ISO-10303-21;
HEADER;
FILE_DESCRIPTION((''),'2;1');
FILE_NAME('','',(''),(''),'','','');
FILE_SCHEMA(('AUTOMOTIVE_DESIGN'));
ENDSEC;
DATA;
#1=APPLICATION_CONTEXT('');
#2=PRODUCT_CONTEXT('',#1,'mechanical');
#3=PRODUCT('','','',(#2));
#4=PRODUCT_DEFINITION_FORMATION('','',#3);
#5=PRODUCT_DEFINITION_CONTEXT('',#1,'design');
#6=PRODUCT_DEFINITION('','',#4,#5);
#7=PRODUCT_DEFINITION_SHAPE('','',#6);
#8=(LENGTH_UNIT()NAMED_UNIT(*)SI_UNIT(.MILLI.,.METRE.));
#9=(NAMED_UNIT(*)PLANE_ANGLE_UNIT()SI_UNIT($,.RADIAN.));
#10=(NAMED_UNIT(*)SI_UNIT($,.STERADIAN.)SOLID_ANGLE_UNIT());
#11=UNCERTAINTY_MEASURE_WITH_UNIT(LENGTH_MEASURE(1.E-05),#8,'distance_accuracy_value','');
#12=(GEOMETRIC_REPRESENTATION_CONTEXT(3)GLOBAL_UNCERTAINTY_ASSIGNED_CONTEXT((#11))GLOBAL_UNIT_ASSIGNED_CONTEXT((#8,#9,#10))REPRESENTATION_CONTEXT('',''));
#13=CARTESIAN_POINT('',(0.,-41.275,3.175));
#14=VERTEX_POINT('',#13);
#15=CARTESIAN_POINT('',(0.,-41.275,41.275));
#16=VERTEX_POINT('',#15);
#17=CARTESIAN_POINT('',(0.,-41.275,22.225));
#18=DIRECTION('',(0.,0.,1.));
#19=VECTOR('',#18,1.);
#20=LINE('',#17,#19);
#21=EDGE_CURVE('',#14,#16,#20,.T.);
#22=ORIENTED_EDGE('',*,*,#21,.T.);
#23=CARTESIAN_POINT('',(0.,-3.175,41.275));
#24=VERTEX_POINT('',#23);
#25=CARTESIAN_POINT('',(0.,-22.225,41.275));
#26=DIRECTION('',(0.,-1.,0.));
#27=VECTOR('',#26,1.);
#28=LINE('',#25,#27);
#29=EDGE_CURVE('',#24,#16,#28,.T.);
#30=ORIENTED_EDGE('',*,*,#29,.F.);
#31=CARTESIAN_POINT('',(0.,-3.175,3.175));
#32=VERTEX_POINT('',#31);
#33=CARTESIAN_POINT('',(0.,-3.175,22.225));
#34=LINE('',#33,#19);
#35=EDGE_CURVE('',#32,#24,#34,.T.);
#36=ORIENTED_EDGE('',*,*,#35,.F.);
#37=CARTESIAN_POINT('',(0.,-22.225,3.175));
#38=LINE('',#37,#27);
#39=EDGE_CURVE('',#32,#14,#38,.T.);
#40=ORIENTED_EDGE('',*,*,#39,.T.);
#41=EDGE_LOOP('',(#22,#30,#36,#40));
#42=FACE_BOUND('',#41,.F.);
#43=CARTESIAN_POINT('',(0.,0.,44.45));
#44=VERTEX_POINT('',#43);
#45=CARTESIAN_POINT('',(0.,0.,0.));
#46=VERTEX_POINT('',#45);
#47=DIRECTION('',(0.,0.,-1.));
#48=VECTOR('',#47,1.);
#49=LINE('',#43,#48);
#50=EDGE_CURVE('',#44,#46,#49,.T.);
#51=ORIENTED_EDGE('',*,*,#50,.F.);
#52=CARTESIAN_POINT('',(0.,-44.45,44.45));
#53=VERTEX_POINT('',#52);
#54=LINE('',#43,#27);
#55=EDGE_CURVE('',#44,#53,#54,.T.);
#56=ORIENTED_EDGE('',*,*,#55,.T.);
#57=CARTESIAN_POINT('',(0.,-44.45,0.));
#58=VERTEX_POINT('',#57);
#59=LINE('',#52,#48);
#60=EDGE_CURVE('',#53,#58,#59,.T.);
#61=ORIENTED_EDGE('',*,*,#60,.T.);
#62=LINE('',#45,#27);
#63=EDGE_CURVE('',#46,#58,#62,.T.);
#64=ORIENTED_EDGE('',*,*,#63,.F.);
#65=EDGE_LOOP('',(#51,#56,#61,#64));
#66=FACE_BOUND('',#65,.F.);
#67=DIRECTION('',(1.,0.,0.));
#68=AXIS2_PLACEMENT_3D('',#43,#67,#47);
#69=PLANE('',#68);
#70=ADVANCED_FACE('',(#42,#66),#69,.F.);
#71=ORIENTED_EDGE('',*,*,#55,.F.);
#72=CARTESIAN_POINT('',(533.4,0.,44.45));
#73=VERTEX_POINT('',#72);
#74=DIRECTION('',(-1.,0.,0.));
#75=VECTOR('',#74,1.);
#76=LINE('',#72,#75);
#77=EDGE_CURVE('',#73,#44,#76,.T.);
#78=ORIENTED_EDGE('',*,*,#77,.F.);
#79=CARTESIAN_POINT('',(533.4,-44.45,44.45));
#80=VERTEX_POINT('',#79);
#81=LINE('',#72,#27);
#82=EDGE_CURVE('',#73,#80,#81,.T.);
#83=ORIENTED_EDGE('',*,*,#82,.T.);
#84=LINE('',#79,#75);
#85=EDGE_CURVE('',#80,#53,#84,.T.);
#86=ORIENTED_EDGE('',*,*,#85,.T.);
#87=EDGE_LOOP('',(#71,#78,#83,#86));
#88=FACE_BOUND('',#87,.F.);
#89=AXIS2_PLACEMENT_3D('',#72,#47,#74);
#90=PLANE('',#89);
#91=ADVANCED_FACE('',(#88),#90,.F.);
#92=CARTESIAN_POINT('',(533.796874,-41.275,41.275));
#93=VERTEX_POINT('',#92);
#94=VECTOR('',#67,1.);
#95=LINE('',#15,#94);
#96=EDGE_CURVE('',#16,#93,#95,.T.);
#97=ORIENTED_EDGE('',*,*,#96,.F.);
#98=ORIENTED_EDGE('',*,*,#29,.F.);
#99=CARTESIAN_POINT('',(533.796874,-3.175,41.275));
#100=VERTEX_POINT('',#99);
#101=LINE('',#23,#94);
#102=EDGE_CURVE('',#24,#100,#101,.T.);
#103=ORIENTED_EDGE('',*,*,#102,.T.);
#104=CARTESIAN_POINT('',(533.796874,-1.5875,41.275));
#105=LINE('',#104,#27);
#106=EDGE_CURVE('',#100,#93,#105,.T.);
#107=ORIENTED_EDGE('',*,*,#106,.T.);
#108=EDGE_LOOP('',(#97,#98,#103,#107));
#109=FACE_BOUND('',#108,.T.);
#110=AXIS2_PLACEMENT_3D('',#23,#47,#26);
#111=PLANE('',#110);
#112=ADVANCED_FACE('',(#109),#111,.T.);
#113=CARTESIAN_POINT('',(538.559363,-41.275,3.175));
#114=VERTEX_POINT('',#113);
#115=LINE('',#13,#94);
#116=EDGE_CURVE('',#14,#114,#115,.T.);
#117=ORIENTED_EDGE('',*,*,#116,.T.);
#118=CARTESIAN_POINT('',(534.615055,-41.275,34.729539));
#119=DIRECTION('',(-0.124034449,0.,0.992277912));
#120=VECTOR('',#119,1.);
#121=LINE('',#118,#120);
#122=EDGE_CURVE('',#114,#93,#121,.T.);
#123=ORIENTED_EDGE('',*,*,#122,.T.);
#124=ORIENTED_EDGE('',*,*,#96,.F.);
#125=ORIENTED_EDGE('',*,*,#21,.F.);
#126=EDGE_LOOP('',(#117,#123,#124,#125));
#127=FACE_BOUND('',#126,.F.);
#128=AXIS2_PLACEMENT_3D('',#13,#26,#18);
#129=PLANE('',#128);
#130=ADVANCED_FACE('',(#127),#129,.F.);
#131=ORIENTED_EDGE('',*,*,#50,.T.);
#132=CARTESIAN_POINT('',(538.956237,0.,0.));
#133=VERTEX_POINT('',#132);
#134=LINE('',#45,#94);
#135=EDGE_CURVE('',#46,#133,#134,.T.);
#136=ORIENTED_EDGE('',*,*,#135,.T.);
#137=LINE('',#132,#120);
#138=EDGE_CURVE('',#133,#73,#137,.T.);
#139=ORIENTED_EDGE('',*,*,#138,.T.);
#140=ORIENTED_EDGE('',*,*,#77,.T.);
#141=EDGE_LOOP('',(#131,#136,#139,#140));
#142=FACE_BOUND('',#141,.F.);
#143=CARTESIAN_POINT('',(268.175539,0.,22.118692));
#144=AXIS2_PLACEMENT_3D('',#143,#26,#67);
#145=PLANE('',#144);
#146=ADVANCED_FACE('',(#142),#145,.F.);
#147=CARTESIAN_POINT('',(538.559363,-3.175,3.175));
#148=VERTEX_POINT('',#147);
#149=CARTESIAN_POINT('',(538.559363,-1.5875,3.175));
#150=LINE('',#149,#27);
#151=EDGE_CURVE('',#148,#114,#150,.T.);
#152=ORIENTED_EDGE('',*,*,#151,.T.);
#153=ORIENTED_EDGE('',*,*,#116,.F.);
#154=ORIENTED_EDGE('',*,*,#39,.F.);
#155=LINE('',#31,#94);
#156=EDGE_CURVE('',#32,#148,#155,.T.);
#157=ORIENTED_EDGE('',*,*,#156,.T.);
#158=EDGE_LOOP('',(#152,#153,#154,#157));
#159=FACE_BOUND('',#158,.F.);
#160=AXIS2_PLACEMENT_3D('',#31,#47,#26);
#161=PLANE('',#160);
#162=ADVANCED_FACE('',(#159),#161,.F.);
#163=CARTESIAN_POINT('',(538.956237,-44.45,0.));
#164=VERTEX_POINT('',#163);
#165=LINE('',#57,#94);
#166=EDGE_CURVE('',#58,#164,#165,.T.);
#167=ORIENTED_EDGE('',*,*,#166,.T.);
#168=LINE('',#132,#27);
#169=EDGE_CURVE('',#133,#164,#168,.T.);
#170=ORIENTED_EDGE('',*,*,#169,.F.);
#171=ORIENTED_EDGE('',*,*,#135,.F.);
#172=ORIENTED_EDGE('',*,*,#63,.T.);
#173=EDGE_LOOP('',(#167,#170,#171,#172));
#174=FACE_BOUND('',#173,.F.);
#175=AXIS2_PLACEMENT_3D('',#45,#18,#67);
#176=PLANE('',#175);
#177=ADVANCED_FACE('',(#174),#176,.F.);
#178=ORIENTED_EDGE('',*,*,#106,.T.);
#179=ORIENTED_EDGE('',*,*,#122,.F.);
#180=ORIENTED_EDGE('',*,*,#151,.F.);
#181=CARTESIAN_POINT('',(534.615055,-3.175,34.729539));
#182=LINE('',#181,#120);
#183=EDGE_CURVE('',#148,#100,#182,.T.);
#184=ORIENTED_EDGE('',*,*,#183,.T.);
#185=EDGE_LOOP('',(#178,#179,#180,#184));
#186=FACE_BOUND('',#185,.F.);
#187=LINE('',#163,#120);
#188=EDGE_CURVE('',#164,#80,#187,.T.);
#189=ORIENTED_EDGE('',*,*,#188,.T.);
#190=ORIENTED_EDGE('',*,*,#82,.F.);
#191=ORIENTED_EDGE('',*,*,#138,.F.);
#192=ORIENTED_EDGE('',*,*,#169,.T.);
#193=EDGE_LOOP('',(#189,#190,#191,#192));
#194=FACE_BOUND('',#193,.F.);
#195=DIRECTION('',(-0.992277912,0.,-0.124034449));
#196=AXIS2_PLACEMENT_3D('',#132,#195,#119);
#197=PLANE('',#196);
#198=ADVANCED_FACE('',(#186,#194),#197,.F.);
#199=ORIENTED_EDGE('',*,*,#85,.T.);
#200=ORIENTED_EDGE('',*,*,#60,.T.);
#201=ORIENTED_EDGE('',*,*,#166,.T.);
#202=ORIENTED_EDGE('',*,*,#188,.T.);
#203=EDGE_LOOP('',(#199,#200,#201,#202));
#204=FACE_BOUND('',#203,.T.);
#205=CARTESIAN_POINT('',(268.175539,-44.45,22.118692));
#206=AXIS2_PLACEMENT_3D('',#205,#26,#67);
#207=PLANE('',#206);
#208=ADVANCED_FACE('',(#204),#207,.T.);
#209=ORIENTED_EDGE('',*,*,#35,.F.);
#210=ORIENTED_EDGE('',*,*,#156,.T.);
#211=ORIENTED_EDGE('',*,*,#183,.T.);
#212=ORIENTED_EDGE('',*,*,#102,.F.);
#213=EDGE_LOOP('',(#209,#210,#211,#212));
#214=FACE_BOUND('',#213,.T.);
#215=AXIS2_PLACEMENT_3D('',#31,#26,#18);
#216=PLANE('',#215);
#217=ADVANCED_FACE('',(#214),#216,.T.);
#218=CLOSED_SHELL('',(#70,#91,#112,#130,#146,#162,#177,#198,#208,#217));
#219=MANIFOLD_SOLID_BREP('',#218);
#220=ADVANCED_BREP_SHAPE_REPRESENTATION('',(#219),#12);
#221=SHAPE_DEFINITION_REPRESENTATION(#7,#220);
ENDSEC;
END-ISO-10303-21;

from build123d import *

# Parameters (mm, degrees)
F1_DEPTH = 44.45
F2_W     = 38.1
F2_H     = 38.1
F3_DEPTH = 538.957237


with BuildPart() as f1:
    # F0 (on Front) → F1 (new body)
    with BuildSketch(Plane.XZ):
        Polygon((0, 44.45), (0, 0), (538.956237, 0), (533.4, 44.45), align=None)
    extrude(amount=F1_DEPTH)

    # F2 (on face) → F3 (cut, through all)
    with BuildSketch(Plane(origin=(0, 0, 0), x_dir=(0, -1, 0), z_dir=(-1, 0, 0))):
        with Locations((22.225, 22.225)):
            Rectangle(F2_W, F2_H)
    extrude(amount=-F3_DEPTH, mode=Mode.SUBTRACT)


solid = f1.part
